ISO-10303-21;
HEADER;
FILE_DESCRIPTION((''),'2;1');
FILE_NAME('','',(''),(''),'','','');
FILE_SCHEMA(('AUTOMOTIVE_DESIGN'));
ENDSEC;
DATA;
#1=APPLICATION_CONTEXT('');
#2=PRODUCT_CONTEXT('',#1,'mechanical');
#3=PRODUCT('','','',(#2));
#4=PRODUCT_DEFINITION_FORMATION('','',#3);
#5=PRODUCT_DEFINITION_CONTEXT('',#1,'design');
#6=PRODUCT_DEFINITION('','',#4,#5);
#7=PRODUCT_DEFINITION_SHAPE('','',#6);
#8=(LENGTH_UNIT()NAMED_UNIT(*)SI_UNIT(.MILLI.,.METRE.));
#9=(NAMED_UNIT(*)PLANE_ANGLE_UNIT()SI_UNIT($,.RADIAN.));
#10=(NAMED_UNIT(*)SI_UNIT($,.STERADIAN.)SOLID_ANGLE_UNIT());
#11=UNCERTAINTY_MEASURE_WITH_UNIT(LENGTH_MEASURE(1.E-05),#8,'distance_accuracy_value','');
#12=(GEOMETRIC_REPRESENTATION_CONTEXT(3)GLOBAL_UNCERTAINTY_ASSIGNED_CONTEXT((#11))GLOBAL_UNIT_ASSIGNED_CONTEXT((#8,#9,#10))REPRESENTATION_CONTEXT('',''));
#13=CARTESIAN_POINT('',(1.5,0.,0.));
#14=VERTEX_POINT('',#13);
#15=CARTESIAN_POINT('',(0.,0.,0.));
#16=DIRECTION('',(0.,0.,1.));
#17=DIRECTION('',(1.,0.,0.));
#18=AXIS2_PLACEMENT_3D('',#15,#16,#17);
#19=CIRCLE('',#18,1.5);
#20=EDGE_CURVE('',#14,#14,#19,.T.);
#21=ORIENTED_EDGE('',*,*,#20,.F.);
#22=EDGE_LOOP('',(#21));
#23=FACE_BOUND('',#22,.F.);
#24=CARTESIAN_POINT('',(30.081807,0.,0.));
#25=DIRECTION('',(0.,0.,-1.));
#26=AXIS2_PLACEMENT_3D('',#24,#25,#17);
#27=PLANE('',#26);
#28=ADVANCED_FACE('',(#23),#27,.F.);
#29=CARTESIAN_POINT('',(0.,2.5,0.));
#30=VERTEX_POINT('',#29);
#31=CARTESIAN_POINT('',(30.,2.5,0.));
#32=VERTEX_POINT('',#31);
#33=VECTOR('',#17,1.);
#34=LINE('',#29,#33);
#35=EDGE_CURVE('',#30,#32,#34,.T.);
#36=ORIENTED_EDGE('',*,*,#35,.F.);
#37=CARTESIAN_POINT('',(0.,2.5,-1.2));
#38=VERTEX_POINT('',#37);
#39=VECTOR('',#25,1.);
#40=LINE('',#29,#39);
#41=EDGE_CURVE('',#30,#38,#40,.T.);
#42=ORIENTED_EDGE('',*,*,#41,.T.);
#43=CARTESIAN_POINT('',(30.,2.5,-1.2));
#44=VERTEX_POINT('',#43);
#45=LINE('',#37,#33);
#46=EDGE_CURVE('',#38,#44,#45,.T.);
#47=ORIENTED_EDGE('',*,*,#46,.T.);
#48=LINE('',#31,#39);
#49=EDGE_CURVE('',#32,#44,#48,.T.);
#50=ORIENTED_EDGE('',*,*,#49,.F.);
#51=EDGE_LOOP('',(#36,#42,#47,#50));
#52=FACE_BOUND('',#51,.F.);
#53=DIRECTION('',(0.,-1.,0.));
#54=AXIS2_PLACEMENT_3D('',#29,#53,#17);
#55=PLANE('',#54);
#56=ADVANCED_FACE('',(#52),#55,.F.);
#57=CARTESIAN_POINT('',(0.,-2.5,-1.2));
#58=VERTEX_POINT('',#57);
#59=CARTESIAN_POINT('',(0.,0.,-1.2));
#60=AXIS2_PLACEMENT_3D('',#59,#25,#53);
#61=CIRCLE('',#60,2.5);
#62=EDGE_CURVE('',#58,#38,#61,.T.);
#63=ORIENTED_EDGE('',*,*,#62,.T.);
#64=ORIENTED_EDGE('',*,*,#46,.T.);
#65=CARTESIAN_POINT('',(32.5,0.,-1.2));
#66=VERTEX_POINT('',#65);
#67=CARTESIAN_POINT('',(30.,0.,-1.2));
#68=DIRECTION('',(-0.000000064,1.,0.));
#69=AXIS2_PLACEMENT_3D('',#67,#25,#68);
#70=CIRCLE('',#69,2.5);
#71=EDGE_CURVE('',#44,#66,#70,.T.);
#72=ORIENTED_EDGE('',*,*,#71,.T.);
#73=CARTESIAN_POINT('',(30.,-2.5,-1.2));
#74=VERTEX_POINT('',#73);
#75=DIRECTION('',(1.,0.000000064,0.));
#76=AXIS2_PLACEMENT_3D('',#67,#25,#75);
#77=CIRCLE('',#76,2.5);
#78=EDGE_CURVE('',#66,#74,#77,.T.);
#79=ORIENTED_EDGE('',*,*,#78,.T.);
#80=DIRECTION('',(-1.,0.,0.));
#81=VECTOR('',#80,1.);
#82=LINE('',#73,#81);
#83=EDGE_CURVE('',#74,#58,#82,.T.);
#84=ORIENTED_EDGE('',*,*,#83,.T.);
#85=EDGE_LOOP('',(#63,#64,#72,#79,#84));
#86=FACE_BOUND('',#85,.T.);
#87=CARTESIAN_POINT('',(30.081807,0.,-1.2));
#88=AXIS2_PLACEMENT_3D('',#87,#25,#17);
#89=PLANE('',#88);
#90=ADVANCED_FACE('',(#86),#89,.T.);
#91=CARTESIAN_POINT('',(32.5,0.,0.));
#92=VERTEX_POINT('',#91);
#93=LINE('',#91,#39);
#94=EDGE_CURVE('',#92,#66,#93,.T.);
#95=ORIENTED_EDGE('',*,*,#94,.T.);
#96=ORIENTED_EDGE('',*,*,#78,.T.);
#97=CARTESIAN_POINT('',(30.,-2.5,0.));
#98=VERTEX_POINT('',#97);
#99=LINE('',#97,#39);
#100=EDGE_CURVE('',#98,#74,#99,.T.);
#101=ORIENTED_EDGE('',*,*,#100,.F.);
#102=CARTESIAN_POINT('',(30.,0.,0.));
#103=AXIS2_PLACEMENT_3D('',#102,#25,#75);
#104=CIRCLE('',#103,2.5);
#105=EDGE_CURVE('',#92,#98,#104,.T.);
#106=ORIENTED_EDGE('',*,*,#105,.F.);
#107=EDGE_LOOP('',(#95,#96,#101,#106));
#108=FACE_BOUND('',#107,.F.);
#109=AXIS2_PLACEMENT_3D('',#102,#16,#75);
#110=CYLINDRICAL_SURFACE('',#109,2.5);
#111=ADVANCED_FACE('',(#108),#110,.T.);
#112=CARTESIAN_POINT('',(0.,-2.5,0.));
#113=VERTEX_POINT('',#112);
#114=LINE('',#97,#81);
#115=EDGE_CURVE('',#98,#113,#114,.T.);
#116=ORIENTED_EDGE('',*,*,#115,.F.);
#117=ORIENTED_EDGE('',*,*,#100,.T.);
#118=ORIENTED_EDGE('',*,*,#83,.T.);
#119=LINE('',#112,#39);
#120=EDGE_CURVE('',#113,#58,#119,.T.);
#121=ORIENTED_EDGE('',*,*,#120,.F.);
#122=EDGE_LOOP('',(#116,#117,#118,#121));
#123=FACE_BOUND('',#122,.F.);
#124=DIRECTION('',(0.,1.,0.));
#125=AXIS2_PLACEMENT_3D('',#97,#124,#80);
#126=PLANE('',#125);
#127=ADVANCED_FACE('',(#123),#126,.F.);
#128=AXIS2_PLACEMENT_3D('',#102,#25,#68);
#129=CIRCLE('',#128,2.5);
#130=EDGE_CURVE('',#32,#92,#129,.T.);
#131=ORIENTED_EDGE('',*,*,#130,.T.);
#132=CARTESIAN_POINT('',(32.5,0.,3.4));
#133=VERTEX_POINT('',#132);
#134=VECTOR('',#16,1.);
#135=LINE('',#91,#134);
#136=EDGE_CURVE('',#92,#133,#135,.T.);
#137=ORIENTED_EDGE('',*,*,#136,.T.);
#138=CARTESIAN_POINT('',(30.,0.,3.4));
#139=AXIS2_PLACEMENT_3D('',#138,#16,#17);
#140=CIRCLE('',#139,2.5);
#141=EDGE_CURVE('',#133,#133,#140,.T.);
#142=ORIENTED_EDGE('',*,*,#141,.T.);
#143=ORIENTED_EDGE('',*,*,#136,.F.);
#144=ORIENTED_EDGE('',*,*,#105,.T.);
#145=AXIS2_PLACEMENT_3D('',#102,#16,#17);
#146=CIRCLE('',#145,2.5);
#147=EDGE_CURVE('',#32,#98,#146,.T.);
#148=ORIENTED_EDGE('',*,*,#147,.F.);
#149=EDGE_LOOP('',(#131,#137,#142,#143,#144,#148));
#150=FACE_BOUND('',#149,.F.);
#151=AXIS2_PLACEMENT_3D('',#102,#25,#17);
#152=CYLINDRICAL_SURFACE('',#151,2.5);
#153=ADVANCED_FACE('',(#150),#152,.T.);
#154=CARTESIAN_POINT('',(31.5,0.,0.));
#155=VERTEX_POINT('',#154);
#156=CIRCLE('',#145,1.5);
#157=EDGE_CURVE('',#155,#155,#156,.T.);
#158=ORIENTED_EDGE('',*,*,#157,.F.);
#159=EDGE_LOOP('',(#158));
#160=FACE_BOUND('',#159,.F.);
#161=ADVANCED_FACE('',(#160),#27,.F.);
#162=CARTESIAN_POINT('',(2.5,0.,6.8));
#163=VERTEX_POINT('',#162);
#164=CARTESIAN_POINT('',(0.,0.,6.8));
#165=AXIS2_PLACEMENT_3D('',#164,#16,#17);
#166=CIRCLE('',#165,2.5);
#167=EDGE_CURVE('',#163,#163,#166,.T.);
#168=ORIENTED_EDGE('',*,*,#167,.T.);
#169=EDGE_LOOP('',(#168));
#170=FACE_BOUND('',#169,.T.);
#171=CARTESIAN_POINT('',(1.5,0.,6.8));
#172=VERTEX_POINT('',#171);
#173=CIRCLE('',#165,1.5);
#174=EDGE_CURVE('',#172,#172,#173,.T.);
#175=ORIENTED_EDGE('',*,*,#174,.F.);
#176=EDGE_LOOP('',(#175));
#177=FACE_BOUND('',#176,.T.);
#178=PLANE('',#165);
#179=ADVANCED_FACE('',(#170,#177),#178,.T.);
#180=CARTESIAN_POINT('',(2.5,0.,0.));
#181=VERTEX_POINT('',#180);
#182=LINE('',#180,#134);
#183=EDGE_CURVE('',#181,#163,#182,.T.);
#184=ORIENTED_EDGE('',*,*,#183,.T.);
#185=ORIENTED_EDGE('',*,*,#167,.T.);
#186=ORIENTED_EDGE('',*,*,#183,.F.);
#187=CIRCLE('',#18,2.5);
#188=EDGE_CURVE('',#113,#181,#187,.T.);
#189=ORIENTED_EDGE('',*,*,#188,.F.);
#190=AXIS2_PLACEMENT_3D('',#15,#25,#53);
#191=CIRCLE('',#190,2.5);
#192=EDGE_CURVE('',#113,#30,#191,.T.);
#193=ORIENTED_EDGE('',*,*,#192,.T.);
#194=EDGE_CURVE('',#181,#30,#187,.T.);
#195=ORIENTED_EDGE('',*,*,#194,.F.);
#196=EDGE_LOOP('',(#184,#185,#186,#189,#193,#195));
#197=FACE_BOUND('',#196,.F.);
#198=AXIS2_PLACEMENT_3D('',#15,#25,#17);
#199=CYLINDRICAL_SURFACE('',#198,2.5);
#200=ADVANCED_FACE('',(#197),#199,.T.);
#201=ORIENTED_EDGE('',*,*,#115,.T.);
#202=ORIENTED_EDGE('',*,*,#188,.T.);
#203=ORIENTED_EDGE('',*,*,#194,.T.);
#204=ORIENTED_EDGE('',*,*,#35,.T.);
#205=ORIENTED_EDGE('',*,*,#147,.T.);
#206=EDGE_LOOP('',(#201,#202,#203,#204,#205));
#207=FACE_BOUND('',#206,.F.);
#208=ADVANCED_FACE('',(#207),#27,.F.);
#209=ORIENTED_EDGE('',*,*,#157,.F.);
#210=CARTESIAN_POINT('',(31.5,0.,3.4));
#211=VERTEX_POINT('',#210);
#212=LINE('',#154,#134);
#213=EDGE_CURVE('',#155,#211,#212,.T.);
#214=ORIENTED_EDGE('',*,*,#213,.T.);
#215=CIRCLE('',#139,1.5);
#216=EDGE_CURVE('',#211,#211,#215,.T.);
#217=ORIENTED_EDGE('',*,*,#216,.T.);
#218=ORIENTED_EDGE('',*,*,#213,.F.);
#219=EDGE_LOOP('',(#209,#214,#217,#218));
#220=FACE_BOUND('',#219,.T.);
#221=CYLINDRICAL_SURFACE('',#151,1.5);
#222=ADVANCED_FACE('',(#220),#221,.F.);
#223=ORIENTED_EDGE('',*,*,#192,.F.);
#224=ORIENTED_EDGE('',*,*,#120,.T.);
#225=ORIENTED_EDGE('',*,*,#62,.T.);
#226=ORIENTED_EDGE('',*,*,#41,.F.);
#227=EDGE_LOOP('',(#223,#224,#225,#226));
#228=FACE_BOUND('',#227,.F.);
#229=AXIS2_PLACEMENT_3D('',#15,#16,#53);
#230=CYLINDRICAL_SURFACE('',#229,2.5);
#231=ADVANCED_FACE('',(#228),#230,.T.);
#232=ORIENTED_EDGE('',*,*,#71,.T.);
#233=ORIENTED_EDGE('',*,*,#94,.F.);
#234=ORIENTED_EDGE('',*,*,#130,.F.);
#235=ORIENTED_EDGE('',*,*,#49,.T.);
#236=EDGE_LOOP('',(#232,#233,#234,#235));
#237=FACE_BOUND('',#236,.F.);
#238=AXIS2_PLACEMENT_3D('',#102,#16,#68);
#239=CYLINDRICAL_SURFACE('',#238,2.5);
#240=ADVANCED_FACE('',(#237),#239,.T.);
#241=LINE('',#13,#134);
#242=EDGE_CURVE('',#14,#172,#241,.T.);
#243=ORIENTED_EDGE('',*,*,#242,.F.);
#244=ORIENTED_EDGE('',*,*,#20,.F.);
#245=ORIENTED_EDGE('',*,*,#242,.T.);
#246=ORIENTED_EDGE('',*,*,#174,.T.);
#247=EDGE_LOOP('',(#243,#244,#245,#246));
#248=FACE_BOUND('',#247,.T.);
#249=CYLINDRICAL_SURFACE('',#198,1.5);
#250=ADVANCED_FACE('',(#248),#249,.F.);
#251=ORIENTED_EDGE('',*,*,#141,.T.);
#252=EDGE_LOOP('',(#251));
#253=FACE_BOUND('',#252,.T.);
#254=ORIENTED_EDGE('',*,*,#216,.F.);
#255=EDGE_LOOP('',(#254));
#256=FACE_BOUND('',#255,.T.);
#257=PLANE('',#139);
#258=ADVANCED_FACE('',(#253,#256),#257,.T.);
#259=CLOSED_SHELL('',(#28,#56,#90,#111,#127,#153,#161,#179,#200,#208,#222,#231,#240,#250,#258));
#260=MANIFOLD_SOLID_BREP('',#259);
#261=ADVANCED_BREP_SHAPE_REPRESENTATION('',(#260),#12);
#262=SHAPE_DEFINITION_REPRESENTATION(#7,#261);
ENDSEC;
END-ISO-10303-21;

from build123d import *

# Parameters (mm, degrees)
F0_R     = 2.5
F0_R_2   = 1.5
F1_DEPTH = 6.8
F2_R     = 1.5
F3_DEPTH = 1.2
F4_R     = 2.5
F4_R_2   = 1.5
F5_DEPTH = 3.4


with BuildPart() as f1:
    # F0 (on Top) → F1 (new body)
    with BuildSketch(Plane.XY):
        Circle(F0_R)
        Circle(F0_R_2, mode=Mode.SUBTRACT)
    extrude(amount=F1_DEPTH)

    # F2 (on face) → F3 (join)
    with BuildSketch(Plane(origin=(0, 0, 0), x_dir=(1, 0, 0), z_dir=(0, 0, -1))):
        with BuildLine():
            ThreePointArc((30, -2.5), (31.767767, -1.767767), (32.5, 0))
            ThreePointArc((32.5, 0), (31.767767, 1.767767), (30, 2.5))
            ThreePointArc((30, 2.5), (27.5, 0), (30, -2.5))
        make_face()
        with BuildLine():
            ThreePointArc((2.5, 0), (1.767767, 1.767767), (0, 2.5))
            ThreePointArc((0, 2.5), (-2.5, 0), (0, -2.5))
            ThreePointArc((0, -2.5), (1.767767, -1.767767), (2.5, 0))
        make_face()
        Circle(F2_R, mode=Mode.SUBTRACT)
        Circle(F2_R)
        with BuildLine():
            Line((30, 2.5), (0, 2.5))
            ThreePointArc((0, 2.5), (1.767767, 1.767767), (2.5, 0))
            ThreePointArc((2.5, 0), (1.767767, -1.767767), (0, -2.5))
            Line((0, -2.5), (30, -2.5))
            ThreePointArc((30, -2.5), (27.5, 0), (30, 2.5))
        make_face()
    extrude(amount=F3_DEPTH)

    # F4 (on face) → F5 (join)
    with BuildSketch(Plane.XY):
        with Locations((30, 0)):
            Circle(F4_R)
        with Locations((30, 0)):
            Circle(F4_R_2, mode=Mode.SUBTRACT)
    extrude(amount=F5_DEPTH)


solid = f1.part
